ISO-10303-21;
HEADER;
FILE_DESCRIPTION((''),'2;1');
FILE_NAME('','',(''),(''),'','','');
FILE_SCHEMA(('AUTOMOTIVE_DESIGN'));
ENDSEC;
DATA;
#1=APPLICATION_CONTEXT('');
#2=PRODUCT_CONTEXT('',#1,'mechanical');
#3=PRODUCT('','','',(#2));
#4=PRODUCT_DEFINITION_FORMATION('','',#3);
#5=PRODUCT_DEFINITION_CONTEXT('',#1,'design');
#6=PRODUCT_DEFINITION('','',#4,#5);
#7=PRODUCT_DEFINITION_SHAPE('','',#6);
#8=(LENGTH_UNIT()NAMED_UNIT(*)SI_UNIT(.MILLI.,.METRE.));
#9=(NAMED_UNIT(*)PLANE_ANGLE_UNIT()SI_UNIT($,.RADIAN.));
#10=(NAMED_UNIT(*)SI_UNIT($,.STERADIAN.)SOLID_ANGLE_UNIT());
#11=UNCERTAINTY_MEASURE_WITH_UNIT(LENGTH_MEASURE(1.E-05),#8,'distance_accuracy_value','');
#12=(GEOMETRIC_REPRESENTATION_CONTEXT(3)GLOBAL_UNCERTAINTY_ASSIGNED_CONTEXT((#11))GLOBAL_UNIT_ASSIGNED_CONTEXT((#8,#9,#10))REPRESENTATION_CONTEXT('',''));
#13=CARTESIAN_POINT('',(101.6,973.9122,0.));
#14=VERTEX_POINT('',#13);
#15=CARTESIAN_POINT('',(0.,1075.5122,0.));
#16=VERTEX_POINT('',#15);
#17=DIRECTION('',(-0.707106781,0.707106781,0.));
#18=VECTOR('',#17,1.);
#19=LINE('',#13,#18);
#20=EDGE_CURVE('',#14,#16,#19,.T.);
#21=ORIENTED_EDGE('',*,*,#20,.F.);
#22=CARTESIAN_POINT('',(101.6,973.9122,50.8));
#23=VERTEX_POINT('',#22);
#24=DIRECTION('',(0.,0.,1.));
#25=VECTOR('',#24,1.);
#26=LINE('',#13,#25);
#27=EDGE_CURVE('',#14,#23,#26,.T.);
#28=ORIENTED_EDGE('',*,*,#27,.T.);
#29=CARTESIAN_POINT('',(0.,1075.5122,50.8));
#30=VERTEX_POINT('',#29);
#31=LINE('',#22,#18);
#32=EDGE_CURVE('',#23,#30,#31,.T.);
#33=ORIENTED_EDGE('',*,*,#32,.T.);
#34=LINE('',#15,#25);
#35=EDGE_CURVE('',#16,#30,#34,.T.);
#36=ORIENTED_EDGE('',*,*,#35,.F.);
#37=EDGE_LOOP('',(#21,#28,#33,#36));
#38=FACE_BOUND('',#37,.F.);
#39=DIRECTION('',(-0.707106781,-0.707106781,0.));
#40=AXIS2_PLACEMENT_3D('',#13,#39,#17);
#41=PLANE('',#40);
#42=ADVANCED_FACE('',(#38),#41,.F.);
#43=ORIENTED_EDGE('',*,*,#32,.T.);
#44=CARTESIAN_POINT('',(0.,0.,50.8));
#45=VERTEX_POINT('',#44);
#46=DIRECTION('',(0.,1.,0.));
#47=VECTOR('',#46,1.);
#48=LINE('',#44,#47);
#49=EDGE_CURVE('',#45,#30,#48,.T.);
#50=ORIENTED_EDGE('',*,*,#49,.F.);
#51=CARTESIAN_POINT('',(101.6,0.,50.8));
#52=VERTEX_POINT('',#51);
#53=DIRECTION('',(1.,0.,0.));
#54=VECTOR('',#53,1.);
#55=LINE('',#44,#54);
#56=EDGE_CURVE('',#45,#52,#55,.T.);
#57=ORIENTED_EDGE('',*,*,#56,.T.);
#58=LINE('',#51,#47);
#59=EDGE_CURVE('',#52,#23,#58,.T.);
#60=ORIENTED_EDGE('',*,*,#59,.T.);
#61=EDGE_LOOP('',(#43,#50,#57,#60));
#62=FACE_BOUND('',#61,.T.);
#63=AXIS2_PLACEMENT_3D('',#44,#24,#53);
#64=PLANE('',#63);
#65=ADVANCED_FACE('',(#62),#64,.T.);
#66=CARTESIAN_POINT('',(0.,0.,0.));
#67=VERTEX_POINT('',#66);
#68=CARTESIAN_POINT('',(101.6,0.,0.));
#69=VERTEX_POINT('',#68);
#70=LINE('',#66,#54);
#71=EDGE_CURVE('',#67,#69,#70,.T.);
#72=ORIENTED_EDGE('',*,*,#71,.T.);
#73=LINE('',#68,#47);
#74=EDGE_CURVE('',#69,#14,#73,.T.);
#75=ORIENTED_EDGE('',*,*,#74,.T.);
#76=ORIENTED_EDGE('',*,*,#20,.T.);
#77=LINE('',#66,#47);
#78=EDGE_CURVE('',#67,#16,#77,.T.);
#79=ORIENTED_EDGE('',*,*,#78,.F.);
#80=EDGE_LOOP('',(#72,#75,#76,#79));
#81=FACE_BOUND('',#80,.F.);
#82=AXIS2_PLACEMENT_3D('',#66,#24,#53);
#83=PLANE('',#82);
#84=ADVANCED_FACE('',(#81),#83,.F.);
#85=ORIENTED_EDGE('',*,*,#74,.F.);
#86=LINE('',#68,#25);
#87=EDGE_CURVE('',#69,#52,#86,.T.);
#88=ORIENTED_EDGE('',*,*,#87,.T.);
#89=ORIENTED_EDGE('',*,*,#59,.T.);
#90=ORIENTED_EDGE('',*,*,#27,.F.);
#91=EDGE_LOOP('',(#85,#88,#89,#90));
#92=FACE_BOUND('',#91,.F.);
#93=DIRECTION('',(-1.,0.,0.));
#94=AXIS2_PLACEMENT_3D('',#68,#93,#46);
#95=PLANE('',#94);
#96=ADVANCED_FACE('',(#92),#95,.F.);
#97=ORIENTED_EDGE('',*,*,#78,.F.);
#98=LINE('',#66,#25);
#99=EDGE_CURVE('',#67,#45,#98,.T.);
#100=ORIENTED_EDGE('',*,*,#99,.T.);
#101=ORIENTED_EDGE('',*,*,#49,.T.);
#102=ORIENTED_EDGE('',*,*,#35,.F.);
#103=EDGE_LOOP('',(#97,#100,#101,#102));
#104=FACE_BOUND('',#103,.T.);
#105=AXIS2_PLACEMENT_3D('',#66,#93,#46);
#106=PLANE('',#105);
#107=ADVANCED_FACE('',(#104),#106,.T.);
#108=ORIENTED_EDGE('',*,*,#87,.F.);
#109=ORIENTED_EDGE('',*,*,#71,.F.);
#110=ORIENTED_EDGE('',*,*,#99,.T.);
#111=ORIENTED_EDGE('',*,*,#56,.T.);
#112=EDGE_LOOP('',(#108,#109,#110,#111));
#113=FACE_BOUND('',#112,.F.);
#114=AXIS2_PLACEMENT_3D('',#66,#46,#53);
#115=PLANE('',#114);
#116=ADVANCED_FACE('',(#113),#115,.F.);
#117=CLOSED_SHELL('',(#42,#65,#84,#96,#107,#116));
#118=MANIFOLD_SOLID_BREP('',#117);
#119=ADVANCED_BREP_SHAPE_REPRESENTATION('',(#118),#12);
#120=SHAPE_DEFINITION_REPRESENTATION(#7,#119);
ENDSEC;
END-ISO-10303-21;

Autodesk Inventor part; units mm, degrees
ref_plane "YZ Plane" through (0, 0, 0) normal (1, 0, 0) x (0, 1, 0)
ref_plane "XZ Plane" through (0, 0, 0) normal (0, 1, 0) x (-1, 0, 0)
ref_plane "XY Plane" through (0, 0, 0) normal (0, 0, 1) x (1, 0, 0)
sketch "Sketch1" plane through (0, 0, 0) normal (0, 0, 1) x (1, 0, 0)
  line L0 (0, 0) -> (0, 1075.5122)
  line L1 (0, 0) -> (101.6, 0)
  line L2 (101.6, 0) -> (101.6, 973.9122)
  line L3 (101.6, 973.9122) -> (0, 1075.5122)
  dimension "d0" = 1075.5122
  dimension "d1" = 101.6
  dimension "d2" = 973.9122
extrude "Extrusion1" add sketch "Sketch1" along normal blind 50.8
properties part number "2x4x42.343 (45 90)"
